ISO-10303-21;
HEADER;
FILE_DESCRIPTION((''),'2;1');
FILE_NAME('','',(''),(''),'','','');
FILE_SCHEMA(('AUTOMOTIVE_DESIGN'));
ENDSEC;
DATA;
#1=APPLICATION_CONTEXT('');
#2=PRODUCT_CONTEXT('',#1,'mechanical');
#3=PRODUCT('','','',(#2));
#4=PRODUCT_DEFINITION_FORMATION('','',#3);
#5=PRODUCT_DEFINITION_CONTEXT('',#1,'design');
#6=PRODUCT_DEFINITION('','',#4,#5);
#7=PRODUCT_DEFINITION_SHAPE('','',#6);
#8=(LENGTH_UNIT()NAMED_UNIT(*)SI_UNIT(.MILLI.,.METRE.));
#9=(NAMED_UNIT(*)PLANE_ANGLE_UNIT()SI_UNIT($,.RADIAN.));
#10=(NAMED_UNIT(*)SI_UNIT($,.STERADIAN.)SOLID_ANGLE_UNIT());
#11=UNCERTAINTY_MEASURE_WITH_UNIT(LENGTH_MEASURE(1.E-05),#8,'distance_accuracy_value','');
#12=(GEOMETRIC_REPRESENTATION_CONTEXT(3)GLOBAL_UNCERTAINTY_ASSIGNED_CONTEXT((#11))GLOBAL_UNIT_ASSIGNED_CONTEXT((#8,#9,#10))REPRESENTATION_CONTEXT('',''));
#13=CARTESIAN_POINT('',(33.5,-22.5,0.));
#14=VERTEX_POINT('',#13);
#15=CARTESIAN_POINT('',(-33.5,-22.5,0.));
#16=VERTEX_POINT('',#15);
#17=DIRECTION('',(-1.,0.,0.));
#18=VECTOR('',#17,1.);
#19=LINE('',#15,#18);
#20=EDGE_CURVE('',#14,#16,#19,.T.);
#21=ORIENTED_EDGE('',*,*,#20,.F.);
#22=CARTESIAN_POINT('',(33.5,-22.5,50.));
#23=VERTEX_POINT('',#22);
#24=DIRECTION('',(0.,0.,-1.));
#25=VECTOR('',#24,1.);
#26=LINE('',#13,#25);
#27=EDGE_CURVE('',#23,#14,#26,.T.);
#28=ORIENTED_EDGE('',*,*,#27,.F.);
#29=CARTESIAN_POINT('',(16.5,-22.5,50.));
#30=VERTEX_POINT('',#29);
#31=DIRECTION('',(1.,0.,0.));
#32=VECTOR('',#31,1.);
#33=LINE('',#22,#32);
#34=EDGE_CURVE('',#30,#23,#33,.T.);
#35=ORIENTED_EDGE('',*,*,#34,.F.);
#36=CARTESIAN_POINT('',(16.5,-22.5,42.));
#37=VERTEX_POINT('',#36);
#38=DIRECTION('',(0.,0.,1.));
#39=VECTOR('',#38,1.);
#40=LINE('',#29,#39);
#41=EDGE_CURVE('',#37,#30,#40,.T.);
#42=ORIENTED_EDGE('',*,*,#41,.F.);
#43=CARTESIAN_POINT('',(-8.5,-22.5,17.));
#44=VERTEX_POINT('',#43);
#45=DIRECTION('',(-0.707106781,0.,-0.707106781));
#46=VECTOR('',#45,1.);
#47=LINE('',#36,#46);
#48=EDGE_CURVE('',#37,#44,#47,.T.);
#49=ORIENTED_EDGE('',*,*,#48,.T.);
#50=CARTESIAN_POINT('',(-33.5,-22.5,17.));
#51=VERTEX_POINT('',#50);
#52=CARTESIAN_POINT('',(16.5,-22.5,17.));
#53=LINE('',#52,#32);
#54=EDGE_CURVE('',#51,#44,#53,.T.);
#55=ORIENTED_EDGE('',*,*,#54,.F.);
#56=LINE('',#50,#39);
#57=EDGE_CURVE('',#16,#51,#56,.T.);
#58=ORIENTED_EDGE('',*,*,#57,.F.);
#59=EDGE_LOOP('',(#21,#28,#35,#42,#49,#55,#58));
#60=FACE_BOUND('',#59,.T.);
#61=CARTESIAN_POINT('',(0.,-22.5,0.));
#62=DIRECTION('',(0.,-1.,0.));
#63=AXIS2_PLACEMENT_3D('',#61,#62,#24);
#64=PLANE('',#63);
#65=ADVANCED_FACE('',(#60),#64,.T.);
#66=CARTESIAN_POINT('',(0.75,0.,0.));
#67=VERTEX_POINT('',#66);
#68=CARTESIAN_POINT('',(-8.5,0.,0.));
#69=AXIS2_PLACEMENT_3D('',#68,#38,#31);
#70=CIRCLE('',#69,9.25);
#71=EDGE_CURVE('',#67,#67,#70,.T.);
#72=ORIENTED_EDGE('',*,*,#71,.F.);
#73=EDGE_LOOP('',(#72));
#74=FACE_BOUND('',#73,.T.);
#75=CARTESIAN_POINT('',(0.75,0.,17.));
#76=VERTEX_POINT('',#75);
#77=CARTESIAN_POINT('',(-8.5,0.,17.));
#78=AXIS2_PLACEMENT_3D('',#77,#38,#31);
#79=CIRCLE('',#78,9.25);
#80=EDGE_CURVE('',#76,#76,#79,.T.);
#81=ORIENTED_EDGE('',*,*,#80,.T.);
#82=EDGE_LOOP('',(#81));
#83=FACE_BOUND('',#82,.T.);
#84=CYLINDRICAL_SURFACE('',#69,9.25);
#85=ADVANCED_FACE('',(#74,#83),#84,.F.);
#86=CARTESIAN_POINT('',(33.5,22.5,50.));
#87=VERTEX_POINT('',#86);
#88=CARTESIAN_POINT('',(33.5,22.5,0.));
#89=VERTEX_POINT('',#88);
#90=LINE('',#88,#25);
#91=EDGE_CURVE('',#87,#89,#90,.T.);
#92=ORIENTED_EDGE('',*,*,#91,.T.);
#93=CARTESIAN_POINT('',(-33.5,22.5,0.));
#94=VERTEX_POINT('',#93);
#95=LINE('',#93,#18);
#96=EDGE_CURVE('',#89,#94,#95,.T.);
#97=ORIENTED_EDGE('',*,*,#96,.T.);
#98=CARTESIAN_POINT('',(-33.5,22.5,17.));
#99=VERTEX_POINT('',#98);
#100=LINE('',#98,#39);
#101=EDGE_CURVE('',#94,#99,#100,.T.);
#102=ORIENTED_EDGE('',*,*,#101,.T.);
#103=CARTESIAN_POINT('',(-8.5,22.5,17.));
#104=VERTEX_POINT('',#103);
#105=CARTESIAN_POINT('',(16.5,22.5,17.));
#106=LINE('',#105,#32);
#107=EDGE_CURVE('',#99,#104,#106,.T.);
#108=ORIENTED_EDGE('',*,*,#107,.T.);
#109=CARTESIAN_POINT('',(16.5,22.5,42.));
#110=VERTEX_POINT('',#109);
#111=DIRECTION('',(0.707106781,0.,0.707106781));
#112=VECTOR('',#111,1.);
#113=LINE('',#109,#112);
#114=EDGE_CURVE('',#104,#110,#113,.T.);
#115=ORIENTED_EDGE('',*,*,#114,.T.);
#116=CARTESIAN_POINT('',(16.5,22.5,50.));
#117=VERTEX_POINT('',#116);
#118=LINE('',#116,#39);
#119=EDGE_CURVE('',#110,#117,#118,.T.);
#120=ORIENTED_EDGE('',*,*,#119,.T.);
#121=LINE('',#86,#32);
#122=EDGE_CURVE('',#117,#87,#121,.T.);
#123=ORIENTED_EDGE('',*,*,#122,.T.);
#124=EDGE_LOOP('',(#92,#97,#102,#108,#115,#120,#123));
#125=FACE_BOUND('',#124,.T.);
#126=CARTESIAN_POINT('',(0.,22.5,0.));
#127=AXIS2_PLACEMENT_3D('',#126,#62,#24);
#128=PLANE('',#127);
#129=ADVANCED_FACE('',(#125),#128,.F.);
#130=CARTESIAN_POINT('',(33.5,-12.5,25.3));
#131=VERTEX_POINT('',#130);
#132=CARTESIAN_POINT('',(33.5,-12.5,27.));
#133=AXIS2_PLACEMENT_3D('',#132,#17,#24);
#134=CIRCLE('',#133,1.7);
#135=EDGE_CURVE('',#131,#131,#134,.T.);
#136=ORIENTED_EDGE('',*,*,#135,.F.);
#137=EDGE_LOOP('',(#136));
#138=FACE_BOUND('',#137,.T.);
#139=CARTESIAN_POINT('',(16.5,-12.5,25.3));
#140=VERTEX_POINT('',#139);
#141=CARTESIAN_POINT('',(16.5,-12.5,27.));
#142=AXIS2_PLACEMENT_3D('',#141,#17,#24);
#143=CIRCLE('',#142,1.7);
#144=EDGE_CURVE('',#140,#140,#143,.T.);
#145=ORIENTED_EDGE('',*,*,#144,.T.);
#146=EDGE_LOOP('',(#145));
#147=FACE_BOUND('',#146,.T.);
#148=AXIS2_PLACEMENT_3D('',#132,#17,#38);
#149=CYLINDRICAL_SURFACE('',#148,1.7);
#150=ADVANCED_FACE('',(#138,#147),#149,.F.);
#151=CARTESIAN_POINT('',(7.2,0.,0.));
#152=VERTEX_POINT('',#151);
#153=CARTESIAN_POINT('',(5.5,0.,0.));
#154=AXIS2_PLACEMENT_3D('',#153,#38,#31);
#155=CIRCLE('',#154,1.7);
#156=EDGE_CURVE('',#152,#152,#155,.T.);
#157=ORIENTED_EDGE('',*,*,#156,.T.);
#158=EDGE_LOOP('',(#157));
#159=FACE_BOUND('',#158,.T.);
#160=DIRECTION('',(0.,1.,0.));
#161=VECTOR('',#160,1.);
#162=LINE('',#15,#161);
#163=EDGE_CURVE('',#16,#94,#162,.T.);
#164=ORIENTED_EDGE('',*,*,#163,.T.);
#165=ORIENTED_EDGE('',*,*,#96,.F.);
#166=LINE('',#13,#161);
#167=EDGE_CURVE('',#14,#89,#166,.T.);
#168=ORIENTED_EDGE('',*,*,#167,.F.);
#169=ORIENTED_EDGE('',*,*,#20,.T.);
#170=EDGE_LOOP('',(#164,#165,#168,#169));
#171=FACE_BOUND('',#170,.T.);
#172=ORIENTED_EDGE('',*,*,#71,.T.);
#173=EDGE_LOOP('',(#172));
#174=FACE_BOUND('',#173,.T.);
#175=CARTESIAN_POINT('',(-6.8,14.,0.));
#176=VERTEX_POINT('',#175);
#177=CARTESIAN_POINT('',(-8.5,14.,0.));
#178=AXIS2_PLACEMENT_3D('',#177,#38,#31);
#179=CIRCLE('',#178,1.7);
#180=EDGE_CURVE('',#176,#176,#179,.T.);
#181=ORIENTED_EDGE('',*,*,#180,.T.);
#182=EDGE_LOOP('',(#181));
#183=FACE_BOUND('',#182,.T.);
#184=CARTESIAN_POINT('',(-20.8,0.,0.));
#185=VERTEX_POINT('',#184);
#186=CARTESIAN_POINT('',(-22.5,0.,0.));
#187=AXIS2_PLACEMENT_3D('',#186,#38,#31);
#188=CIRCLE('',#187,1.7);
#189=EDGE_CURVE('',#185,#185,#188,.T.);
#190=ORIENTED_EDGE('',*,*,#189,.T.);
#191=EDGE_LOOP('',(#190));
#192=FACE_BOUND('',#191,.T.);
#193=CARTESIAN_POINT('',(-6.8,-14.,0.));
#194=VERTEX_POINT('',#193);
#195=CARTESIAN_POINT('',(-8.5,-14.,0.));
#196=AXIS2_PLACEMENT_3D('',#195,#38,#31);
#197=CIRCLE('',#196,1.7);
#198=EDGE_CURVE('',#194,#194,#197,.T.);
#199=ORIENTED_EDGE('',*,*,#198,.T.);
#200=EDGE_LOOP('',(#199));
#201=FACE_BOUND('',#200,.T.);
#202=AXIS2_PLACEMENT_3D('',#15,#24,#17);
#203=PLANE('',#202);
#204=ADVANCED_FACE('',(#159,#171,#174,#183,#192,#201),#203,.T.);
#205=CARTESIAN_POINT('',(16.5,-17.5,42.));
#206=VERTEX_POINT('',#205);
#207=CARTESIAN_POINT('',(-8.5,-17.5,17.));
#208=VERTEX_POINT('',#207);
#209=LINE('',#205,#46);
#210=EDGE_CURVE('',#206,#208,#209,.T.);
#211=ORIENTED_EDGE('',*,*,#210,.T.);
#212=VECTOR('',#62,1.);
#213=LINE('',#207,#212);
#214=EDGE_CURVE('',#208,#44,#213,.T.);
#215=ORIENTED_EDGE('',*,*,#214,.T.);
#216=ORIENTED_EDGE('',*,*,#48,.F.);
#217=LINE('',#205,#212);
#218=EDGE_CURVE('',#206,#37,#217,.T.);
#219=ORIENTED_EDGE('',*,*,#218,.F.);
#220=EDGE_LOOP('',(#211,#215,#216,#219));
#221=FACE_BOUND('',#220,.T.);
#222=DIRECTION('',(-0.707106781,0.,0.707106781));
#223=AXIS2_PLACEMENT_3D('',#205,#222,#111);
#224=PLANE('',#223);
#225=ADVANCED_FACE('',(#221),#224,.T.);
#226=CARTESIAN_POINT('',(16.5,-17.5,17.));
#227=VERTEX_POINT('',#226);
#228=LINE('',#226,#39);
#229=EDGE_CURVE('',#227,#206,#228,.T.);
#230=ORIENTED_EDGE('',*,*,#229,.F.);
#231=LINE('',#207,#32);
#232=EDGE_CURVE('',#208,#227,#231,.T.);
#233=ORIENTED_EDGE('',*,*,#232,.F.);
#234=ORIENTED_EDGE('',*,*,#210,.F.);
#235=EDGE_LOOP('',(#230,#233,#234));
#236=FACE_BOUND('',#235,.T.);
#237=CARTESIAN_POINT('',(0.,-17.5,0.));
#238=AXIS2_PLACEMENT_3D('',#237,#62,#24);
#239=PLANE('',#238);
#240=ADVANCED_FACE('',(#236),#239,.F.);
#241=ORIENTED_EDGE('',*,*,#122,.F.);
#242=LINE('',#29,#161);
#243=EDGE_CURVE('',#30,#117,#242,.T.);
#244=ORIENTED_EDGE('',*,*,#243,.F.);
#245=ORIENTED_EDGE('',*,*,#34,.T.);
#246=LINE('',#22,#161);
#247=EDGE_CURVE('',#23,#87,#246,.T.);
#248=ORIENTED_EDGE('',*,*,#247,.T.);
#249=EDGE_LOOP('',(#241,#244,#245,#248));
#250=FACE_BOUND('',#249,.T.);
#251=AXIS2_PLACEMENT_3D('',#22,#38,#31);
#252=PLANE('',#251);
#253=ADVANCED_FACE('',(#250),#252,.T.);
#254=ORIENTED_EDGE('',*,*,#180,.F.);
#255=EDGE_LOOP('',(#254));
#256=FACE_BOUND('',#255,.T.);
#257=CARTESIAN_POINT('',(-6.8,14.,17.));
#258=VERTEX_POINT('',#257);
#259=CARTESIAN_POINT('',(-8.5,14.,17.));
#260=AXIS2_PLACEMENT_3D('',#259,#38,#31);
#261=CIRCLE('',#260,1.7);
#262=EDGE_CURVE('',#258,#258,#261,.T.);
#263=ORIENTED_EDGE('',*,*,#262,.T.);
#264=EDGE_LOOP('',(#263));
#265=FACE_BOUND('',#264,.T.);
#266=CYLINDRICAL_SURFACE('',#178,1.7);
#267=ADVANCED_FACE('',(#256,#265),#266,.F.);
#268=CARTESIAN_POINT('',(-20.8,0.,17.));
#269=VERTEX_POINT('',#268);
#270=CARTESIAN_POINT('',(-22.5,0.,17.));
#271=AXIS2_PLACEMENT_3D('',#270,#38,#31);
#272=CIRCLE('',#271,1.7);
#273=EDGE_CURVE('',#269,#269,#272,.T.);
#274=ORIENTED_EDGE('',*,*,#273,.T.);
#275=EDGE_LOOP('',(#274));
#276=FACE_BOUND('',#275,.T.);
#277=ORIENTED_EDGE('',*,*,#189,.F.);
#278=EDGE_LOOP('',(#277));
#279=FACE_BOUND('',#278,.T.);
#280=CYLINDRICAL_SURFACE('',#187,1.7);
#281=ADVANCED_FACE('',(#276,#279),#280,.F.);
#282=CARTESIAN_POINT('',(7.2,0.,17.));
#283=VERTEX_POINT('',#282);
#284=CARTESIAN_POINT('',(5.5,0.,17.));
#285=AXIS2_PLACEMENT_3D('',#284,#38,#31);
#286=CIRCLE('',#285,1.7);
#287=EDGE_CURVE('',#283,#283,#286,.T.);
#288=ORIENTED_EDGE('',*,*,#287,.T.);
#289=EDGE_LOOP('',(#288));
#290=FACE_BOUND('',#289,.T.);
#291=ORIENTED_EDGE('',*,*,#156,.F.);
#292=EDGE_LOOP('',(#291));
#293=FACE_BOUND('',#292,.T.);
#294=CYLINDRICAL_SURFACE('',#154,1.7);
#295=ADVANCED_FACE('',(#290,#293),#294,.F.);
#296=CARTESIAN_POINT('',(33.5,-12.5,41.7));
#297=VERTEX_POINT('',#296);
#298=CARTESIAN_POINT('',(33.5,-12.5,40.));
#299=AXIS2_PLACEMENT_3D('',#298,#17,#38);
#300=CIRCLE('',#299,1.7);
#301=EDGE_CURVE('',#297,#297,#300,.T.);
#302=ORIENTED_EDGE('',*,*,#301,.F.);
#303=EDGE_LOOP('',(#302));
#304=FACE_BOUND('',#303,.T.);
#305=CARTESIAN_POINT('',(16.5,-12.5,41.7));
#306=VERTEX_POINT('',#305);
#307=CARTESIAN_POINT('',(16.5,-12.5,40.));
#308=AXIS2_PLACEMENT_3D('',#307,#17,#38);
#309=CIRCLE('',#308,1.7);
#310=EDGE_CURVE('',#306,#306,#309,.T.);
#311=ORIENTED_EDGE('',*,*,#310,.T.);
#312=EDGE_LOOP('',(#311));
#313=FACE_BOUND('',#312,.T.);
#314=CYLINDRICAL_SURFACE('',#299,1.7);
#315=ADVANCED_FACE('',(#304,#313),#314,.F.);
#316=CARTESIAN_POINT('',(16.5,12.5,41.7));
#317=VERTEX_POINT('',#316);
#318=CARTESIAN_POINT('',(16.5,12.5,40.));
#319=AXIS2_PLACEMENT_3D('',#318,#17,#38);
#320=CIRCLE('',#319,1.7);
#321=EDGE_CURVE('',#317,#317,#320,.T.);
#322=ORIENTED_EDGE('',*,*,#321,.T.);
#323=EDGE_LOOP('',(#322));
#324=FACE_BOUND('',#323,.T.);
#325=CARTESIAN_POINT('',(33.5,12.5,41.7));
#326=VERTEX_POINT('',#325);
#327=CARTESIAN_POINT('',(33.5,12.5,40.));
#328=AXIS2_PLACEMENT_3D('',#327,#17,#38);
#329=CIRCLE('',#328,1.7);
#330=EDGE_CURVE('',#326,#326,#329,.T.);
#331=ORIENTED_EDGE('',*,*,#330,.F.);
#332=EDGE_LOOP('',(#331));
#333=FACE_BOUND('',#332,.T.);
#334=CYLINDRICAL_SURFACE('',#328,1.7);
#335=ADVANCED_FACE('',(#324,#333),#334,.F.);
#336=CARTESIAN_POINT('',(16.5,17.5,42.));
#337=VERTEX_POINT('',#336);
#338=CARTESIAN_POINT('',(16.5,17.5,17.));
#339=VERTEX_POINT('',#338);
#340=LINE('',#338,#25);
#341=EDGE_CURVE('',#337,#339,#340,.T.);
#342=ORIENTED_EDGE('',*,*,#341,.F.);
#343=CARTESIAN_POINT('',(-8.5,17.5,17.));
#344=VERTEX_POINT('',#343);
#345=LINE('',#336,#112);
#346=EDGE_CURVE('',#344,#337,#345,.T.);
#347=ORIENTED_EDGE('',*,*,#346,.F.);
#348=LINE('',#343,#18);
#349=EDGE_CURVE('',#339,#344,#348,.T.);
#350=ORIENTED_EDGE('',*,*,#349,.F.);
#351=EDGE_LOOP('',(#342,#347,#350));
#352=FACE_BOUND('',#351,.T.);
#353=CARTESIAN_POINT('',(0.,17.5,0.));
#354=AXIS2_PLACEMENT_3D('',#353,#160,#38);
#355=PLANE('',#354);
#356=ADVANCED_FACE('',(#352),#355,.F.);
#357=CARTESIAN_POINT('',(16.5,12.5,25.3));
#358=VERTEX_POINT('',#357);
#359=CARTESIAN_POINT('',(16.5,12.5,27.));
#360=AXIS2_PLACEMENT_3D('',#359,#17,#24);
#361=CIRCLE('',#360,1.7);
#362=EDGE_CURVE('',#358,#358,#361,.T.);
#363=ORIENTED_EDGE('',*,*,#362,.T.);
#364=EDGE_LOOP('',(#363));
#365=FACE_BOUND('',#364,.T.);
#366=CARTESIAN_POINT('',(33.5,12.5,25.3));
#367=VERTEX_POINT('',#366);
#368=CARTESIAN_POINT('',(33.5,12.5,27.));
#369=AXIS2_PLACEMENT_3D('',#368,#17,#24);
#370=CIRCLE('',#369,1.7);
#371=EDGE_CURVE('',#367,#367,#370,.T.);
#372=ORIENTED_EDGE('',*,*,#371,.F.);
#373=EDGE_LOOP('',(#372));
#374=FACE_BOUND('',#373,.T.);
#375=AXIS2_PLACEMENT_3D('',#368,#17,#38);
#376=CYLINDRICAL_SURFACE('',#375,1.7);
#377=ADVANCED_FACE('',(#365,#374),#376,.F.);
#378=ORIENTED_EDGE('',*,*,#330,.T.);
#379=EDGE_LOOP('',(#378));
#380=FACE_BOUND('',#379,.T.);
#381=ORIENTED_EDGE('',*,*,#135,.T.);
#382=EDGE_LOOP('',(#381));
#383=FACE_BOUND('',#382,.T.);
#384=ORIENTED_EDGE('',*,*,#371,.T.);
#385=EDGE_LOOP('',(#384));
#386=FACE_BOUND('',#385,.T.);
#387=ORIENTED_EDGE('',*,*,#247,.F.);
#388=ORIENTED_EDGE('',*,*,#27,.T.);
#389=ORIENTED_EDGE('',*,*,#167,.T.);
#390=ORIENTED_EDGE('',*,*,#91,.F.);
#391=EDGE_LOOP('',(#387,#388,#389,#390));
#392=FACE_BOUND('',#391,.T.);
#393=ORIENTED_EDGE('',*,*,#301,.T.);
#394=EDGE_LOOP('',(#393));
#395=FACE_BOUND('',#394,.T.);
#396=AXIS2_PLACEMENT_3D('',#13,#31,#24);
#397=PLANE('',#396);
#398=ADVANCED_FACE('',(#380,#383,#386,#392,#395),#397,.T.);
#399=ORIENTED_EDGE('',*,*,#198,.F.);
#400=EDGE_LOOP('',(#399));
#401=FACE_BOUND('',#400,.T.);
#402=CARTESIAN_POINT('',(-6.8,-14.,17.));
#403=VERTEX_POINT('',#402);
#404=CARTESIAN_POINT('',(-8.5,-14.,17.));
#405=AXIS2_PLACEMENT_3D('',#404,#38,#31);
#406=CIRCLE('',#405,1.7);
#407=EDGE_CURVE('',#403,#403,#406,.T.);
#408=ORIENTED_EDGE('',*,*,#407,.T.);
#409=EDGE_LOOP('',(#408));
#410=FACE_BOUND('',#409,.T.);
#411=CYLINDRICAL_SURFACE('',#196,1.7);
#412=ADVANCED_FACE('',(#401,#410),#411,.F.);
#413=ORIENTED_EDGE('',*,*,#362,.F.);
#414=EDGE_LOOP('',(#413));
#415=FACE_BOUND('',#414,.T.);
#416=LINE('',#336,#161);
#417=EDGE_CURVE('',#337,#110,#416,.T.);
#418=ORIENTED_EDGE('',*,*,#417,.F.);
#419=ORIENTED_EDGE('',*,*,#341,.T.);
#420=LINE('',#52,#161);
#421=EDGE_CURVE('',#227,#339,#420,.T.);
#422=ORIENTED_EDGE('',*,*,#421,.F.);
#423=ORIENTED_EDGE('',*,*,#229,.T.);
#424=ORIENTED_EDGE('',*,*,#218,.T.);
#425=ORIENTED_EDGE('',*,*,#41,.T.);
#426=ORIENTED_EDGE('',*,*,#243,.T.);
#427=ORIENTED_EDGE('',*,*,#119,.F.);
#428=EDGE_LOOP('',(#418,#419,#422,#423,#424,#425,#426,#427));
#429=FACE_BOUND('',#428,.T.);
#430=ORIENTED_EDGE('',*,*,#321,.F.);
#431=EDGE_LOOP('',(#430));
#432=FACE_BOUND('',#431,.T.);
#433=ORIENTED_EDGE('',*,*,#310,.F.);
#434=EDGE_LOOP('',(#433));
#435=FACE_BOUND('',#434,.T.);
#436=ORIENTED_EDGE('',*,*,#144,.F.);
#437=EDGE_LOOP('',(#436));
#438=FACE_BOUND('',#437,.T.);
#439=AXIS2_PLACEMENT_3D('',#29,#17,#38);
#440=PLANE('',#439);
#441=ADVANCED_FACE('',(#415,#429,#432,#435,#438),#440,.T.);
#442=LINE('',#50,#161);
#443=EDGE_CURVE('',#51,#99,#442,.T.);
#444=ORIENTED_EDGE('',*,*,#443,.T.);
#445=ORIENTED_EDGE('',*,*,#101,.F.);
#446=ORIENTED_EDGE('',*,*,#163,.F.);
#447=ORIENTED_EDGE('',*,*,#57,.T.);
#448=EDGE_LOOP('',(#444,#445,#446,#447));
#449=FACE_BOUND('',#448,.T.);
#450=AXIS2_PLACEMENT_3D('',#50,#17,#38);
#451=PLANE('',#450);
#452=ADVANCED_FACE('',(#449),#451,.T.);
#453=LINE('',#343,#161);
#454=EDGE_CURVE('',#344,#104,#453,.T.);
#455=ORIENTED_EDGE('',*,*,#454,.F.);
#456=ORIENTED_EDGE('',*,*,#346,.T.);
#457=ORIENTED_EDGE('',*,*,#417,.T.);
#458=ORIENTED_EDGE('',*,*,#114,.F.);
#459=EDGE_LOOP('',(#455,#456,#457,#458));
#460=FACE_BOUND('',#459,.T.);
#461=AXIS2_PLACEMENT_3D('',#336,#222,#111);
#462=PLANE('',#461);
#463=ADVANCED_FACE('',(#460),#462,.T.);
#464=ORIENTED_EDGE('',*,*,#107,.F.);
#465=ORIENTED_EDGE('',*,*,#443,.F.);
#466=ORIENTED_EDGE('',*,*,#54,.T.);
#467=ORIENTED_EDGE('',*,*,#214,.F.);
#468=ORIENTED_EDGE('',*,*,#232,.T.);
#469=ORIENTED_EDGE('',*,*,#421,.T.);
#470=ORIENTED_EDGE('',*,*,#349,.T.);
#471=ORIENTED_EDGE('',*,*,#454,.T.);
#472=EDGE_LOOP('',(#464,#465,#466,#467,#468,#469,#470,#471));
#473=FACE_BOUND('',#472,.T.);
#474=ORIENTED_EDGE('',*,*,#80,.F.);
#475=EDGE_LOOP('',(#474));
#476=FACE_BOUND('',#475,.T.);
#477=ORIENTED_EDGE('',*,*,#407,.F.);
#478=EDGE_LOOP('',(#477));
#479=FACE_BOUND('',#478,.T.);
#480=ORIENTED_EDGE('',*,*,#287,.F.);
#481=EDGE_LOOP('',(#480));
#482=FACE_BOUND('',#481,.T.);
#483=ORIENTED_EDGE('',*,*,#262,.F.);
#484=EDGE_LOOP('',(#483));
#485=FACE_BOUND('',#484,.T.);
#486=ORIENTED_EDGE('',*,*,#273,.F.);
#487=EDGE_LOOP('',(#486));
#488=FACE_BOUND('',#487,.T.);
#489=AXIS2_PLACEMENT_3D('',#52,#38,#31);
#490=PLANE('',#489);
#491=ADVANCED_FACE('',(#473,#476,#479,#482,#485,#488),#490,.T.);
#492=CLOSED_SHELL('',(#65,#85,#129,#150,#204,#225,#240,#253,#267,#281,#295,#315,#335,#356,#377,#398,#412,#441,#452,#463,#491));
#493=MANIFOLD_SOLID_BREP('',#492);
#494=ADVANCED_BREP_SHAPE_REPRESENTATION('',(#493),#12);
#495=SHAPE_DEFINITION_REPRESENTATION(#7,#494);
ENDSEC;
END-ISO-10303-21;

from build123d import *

# Parameters (mm, degrees)
BOSS_EXTRUDE1_DEPTH = 22.5
SKETCH2_R           = 9.25
SKETCH2_R_2         = 1.7
CUT_EXTRUDE1_DEPTH  = 53.129646076
SKETCH3_R           = 1.7
CUT_EXTRUDE2_DEPTH  = 75.204110398
BOSS_EXTRUDE4_DEPTH = 5
BOSS_EXTRUDE5_DEPTH = 5


with BuildPart() as part:
    # Sketch1 → Boss-Extrude1 (new, symmetric)
    with BuildSketch(Plane(origin=(0, 0, 0), x_dir=(-1, 0, 0), z_dir=(0, 1, 0))):
        Polygon((-33.5, 50), (-16.5, 50), (-16.5, 17), (33.5, 17), (33.5, 0), (-33.5, 0), align=None)
    extrude(amount=BOSS_EXTRUDE1_DEPTH, both=True)

    # Sketch2 → Cut-Extrude1 (cut, through all)
    with BuildSketch(Plane.XY.offset(17)):
        with Locations((-8.5, 0)):
            Circle(SKETCH2_R)
        with Locations((-8.5, 14)):
            Circle(SKETCH2_R_2)
        with Locations((5.5, 0)):
            Circle(SKETCH2_R_2)
        with Locations((-8.5, -14)):
            Circle(SKETCH2_R_2)
        with Locations((-22.5, 0)):
            Circle(SKETCH2_R_2)
    extrude(amount=-CUT_EXTRUDE1_DEPTH, mode=Mode.SUBTRACT)

    # Sketch3 → Cut-Extrude2 (cut, through all)
    with BuildSketch(Plane(origin=(16.5, 0, 0), x_dir=(0, -1, 0), z_dir=(-1, 0, 0))):
        with Locations(Location((12.5, 40, 0), (0, 0, 90))):
            Circle(SKETCH3_R)
        with Locations(Location((-12.5, 40, 0), (0, 0, 90))):
            Circle(SKETCH3_R)
        with Locations(Location((12.5, 27, 0), (0, 0, 270))):
            Circle(SKETCH3_R)
        with Locations(Location((-12.5, 27, 0), (0, 0, 270))):
            Circle(SKETCH3_R)
    extrude(amount=-CUT_EXTRUDE2_DEPTH, mode=Mode.SUBTRACT)

    # Sketch8 → Boss-Extrude4 (add)
    with BuildSketch(Plane(origin=(0, 22.5, 0), x_dir=(-1, 0, 0), z_dir=(0, 1, 0))):
        Polygon((-16.5, 42), (8.5, 17), (-16.5, 17), align=None)
    extrude(amount=-BOSS_EXTRUDE4_DEPTH)

    # Sketch9 → Boss-Extrude5 (add)
    with BuildSketch(Plane.XZ.offset(22.5)):
        Polygon((-8.5, 17), (16.5, 17), (16.5, 42), align=None)
    extrude(amount=-BOSS_EXTRUDE5_DEPTH)


solid = part.part
